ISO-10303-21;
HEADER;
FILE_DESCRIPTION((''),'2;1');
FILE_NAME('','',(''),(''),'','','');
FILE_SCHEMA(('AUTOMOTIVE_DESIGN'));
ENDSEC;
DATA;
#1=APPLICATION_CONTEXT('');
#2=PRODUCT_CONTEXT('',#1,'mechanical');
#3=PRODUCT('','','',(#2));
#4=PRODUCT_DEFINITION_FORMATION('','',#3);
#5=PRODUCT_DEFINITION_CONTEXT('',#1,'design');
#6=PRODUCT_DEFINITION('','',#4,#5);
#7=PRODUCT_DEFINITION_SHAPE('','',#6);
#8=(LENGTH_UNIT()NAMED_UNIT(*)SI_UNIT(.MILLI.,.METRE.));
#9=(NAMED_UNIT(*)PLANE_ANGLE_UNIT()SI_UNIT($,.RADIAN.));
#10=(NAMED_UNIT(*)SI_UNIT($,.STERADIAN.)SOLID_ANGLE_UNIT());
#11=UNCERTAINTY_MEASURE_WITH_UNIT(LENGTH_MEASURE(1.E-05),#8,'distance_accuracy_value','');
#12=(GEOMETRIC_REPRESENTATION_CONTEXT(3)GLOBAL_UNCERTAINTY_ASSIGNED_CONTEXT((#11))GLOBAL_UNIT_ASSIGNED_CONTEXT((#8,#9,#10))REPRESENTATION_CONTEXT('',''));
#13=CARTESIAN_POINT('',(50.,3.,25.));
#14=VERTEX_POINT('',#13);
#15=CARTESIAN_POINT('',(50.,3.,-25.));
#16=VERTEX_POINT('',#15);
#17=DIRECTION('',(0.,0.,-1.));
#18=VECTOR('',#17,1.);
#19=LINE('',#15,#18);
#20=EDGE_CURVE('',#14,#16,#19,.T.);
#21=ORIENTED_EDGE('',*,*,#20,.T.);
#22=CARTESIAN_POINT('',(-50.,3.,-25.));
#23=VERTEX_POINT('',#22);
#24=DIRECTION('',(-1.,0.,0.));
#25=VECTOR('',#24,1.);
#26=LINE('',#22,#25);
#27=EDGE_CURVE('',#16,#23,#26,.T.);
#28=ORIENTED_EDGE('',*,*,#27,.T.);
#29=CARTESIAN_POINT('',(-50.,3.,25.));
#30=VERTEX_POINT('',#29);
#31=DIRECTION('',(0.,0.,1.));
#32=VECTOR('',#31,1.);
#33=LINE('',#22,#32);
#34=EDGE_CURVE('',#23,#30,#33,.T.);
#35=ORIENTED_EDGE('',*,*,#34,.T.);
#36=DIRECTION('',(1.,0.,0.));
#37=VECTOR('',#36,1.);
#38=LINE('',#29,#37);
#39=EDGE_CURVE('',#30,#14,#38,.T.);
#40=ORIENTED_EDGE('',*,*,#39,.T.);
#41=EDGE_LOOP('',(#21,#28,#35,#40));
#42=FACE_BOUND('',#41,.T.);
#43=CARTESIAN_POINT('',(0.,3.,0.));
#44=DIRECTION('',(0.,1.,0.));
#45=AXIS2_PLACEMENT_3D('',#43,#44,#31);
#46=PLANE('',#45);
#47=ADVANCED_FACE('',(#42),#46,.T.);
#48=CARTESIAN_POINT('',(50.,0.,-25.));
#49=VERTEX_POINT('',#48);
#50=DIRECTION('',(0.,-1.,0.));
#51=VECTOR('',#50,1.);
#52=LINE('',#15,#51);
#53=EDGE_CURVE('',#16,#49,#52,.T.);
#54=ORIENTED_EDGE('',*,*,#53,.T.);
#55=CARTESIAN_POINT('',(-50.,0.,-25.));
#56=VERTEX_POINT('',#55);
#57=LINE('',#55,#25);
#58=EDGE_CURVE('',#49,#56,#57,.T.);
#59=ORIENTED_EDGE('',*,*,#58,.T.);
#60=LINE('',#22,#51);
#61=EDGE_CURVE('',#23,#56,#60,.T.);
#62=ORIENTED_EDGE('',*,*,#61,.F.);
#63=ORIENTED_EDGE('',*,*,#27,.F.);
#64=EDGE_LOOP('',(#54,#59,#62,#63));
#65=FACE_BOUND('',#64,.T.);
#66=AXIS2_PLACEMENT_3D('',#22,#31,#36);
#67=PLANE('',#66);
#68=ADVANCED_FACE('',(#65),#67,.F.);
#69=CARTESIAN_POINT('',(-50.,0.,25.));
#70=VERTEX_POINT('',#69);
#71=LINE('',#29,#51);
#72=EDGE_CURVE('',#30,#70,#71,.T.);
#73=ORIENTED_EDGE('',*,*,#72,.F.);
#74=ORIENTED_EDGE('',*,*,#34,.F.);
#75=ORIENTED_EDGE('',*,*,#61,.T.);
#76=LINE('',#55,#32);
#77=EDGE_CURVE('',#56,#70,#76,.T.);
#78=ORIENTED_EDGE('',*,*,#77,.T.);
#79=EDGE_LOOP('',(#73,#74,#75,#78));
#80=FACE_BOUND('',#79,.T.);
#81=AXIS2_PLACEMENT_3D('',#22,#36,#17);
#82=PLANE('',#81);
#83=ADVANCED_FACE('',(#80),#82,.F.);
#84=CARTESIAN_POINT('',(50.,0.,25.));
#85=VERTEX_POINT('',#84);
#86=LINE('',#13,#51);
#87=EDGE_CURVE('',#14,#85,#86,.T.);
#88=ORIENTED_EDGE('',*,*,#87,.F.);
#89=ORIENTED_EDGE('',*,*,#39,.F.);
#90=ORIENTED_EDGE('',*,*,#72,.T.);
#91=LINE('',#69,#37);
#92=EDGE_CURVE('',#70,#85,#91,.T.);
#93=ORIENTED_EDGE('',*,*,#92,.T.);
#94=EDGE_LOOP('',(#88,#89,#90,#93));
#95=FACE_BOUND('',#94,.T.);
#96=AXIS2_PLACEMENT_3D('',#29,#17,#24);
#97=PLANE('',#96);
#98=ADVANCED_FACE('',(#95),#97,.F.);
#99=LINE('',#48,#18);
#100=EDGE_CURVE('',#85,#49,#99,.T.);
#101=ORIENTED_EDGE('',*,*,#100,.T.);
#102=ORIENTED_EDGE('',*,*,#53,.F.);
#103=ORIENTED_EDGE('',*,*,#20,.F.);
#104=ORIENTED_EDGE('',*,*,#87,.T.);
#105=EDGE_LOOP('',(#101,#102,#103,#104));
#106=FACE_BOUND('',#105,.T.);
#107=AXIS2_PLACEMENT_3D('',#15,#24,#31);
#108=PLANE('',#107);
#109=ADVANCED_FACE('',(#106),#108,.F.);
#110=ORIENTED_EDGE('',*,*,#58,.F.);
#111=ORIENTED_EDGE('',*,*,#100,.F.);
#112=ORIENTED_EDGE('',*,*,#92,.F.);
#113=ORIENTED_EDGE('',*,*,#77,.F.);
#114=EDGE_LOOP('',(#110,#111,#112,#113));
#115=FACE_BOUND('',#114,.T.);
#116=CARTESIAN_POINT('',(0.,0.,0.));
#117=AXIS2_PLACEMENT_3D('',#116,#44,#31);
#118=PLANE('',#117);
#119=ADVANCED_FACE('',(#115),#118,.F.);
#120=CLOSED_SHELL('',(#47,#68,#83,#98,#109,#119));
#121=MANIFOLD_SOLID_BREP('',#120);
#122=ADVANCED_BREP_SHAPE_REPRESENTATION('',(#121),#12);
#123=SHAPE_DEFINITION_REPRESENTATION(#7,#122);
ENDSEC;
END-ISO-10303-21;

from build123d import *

# Parameters (mm, degrees)
SKETCH_1_W      = 100
SKETCH_1_H      = 50
EXTRUDE_1_DEPTH = 3


with BuildPart() as part:
    # 草图1 → 凸台-拉伸1 (new body)
    with BuildSketch(Plane(origin=(0, 0, 0), x_dir=(1, 0, 0), z_dir=(0, 1, 0))):
        Rectangle(SKETCH_1_W, SKETCH_1_H)
    extrude(amount=EXTRUDE_1_DEPTH)


solid = part.part
